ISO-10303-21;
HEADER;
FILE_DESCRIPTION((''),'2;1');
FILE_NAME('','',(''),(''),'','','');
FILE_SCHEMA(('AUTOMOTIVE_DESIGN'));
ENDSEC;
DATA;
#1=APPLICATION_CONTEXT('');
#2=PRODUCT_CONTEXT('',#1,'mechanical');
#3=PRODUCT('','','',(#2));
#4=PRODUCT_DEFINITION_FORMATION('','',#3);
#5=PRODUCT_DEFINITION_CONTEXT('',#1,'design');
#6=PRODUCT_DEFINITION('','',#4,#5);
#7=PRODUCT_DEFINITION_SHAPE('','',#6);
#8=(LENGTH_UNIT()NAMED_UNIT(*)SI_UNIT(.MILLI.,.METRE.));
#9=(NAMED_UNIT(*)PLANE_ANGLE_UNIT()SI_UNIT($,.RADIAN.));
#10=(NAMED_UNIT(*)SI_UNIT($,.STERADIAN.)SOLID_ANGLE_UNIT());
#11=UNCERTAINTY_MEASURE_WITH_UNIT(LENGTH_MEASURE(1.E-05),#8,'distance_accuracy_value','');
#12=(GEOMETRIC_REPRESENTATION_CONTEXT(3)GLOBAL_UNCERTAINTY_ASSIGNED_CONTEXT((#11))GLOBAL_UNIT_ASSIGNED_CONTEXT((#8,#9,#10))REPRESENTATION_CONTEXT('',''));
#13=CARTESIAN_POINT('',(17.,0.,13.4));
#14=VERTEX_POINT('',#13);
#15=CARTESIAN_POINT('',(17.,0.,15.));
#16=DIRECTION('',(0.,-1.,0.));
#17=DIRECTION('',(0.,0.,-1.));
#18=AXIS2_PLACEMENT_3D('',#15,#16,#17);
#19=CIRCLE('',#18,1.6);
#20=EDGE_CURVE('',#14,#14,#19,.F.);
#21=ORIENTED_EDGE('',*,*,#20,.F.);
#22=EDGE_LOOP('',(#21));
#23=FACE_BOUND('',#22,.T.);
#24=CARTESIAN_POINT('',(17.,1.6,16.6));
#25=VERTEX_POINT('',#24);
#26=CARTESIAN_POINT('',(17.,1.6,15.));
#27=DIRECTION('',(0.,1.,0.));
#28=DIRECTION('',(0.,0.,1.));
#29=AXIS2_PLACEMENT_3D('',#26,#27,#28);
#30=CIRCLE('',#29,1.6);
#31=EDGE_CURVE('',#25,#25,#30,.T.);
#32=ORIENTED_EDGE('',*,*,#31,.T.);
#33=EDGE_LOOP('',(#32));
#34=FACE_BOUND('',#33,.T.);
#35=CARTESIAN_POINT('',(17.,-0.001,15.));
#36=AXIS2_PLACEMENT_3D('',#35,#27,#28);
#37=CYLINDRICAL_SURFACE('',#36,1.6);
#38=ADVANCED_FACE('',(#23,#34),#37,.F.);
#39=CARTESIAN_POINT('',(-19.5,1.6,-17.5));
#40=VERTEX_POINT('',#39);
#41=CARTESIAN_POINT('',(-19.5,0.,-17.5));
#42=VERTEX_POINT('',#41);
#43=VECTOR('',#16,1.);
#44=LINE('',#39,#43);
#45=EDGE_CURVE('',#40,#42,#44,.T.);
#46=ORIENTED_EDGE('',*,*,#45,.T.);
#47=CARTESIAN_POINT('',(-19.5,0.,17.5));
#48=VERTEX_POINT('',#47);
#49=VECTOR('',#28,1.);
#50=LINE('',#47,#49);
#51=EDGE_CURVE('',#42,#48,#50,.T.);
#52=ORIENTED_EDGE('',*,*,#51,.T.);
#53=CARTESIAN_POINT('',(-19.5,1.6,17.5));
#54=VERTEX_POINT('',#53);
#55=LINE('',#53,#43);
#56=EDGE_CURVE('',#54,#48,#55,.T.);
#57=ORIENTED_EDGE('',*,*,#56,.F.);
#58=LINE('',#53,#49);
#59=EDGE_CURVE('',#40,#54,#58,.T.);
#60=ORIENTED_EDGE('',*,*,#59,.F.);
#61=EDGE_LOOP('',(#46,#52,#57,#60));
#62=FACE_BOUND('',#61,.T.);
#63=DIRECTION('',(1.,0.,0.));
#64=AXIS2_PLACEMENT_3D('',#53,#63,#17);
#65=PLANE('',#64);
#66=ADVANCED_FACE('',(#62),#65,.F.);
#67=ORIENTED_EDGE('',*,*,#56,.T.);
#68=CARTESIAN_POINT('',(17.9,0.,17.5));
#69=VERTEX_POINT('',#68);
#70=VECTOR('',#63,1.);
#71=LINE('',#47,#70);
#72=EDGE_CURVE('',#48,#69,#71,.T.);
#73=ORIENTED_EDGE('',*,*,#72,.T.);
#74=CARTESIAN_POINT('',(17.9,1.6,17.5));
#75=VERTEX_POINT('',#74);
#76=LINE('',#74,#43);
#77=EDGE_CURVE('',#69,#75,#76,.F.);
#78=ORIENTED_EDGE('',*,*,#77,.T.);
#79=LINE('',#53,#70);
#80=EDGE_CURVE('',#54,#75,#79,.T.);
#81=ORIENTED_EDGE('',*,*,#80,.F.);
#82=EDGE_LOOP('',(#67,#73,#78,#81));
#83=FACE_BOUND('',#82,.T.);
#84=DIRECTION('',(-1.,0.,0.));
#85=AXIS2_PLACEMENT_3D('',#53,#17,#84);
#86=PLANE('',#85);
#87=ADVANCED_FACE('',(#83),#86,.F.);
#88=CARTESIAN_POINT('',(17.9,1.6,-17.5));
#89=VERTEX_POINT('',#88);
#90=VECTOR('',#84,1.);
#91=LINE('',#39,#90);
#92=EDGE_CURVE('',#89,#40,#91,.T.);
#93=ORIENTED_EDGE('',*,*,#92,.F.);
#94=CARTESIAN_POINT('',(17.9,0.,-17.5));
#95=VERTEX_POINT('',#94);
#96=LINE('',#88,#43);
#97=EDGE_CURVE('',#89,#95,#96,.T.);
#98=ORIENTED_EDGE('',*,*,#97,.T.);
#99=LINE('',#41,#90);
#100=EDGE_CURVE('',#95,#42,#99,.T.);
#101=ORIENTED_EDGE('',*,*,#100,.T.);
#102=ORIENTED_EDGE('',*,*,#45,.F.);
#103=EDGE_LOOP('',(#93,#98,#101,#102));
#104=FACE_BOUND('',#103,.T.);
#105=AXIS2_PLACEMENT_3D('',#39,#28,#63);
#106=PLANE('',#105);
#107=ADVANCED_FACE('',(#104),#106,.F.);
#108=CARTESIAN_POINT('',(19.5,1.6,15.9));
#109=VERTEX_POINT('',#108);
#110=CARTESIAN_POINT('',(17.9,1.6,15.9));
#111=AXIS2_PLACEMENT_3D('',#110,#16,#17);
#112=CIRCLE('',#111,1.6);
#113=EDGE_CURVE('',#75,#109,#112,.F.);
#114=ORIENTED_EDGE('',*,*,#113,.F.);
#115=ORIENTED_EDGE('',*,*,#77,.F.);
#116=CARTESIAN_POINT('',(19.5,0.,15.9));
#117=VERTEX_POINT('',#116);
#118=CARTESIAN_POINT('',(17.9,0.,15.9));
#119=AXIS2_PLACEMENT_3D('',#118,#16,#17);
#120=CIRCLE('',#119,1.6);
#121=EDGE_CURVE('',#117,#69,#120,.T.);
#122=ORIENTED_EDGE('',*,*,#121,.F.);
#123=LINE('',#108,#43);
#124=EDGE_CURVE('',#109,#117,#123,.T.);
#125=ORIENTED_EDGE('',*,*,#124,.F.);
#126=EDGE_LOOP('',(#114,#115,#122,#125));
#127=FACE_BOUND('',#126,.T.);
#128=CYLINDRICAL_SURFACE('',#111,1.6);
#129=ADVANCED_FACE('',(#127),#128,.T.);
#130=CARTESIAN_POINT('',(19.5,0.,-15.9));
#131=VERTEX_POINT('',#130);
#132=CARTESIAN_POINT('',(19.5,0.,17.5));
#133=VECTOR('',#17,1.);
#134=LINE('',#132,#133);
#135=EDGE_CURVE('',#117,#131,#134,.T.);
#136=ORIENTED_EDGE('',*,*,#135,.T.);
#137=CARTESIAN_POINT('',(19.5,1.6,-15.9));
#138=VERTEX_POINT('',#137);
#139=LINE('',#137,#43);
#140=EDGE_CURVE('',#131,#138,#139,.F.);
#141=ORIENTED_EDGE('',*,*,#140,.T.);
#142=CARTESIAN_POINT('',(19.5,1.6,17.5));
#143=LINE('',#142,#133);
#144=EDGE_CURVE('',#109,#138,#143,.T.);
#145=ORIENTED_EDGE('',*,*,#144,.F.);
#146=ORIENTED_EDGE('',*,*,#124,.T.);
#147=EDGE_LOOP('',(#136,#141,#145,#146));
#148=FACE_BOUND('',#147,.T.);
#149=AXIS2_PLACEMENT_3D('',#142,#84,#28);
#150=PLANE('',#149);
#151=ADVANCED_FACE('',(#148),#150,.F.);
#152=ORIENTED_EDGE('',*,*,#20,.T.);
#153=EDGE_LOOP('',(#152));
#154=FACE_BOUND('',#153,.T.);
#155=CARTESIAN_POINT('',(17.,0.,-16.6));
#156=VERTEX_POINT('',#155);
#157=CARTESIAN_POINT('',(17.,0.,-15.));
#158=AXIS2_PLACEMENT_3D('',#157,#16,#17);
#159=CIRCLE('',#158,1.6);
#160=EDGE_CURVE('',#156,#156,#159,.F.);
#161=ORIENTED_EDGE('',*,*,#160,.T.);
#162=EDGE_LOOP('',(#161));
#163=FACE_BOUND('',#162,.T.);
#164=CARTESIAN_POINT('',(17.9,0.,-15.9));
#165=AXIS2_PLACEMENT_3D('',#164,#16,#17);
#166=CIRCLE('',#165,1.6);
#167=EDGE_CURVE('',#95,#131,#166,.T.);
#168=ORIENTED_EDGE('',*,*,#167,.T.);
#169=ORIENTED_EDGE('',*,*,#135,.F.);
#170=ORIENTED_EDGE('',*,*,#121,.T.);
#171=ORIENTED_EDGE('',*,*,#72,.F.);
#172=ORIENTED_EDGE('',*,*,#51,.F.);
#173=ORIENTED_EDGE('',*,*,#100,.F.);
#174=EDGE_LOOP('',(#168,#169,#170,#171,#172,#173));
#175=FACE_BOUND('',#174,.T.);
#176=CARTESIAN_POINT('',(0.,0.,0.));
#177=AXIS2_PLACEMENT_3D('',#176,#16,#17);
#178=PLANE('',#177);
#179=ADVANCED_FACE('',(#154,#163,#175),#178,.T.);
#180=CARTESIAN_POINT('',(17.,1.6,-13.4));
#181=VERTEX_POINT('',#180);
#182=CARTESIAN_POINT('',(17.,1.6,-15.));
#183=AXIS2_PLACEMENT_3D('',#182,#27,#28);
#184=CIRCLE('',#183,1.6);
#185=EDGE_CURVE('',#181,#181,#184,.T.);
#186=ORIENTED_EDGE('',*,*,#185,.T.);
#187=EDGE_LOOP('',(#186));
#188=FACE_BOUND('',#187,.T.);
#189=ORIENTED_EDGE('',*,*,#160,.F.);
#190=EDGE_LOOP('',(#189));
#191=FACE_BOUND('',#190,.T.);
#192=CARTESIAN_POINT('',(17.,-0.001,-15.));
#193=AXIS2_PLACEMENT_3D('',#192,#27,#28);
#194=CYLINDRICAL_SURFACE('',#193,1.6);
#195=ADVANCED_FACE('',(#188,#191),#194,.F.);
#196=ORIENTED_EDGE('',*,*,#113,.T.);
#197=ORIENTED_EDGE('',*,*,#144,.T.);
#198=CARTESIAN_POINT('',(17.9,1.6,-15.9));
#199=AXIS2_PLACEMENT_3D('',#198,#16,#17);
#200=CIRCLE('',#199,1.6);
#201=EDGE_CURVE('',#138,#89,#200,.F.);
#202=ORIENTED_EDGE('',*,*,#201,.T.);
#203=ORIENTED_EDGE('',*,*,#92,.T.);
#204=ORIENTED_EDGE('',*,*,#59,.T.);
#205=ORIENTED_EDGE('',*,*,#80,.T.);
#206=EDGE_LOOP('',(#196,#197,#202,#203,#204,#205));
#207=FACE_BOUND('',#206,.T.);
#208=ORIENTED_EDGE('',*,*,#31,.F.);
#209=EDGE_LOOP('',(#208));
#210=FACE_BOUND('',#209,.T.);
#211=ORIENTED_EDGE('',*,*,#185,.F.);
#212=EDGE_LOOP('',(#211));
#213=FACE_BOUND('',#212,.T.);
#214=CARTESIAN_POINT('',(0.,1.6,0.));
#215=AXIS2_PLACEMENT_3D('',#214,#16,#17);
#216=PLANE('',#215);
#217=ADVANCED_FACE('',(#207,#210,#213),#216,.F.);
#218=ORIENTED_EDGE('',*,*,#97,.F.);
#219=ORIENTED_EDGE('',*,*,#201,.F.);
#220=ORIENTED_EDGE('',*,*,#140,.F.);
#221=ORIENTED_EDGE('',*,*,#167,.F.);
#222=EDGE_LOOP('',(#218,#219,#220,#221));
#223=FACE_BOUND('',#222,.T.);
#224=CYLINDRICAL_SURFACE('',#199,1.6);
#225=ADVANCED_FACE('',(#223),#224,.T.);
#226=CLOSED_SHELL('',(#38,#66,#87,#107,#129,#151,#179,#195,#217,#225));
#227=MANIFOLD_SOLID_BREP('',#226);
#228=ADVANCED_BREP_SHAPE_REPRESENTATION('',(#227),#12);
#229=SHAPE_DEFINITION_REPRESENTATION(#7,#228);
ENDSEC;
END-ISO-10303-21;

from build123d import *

# Parameters (mm, degrees)
SKETCH1_W           = 39
SKETCH1_H           = 35
BOSS_EXTRUDE1_DEPTH = 1.6
CUT_EXTRUDE1_REACH  = 3.6
SKETCH2_R           = 1.6
FILLET1_R           = 1.6


with BuildPart() as part:
    # Sketch1 → Boss-Extrude1 (new body)
    with BuildSketch(Plane(origin=(0, 0, 0), x_dir=(1, 0, 0), z_dir=(0, 1, 0))):
        Rectangle(SKETCH1_W, SKETCH1_H)
    extrude(amount=BOSS_EXTRUDE1_DEPTH)

    # Sketch2 → Cut-Extrude1 (cut, up to next)
    with BuildSketch(Plane(origin=(0, 1.6, 0), x_dir=(1, 0, 0), z_dir=(0, 1, 0)), mode=Mode.PRIVATE) as cut_extrude1_sk1:
        with Locations((17, 15)):
            Circle(SKETCH2_R)
    cut_extrude1_tool1 = extrude(cut_extrude1_sk1.sketch, amount=-CUT_EXTRUDE1_REACH, mode=Mode.PRIVATE) & part.part
    add(cut_extrude1_tool1.solids().sort_by_distance((17, 1.6, -15))[0], mode=Mode.SUBTRACT)
    # Sketch2 → Cut-Extrude1 (cut, up to next)
    with BuildSketch(Plane(origin=(0, 1.6, 0), x_dir=(1, 0, 0), z_dir=(0, 1, 0)), mode=Mode.PRIVATE) as cut_extrude1_sk2:
        with Locations((17, -15)):
            Circle(SKETCH2_R)
    cut_extrude1_tool2 = extrude(cut_extrude1_sk2.sketch, amount=-CUT_EXTRUDE1_REACH, mode=Mode.PRIVATE) & part.part
    add(cut_extrude1_tool2.solids().sort_by_distance((17, 1.6, 15))[0], mode=Mode.SUBTRACT)

    # Fillet1
    fillet1_edges = [part.edges().sort_by_distance(p)[0] for p in [
        (19.5, 0.8, 17.5),
        (19.5, 0.8, -17.5),
    ]]
    fillet(fillet1_edges, radius=FILLET1_R)


solid = part.part
